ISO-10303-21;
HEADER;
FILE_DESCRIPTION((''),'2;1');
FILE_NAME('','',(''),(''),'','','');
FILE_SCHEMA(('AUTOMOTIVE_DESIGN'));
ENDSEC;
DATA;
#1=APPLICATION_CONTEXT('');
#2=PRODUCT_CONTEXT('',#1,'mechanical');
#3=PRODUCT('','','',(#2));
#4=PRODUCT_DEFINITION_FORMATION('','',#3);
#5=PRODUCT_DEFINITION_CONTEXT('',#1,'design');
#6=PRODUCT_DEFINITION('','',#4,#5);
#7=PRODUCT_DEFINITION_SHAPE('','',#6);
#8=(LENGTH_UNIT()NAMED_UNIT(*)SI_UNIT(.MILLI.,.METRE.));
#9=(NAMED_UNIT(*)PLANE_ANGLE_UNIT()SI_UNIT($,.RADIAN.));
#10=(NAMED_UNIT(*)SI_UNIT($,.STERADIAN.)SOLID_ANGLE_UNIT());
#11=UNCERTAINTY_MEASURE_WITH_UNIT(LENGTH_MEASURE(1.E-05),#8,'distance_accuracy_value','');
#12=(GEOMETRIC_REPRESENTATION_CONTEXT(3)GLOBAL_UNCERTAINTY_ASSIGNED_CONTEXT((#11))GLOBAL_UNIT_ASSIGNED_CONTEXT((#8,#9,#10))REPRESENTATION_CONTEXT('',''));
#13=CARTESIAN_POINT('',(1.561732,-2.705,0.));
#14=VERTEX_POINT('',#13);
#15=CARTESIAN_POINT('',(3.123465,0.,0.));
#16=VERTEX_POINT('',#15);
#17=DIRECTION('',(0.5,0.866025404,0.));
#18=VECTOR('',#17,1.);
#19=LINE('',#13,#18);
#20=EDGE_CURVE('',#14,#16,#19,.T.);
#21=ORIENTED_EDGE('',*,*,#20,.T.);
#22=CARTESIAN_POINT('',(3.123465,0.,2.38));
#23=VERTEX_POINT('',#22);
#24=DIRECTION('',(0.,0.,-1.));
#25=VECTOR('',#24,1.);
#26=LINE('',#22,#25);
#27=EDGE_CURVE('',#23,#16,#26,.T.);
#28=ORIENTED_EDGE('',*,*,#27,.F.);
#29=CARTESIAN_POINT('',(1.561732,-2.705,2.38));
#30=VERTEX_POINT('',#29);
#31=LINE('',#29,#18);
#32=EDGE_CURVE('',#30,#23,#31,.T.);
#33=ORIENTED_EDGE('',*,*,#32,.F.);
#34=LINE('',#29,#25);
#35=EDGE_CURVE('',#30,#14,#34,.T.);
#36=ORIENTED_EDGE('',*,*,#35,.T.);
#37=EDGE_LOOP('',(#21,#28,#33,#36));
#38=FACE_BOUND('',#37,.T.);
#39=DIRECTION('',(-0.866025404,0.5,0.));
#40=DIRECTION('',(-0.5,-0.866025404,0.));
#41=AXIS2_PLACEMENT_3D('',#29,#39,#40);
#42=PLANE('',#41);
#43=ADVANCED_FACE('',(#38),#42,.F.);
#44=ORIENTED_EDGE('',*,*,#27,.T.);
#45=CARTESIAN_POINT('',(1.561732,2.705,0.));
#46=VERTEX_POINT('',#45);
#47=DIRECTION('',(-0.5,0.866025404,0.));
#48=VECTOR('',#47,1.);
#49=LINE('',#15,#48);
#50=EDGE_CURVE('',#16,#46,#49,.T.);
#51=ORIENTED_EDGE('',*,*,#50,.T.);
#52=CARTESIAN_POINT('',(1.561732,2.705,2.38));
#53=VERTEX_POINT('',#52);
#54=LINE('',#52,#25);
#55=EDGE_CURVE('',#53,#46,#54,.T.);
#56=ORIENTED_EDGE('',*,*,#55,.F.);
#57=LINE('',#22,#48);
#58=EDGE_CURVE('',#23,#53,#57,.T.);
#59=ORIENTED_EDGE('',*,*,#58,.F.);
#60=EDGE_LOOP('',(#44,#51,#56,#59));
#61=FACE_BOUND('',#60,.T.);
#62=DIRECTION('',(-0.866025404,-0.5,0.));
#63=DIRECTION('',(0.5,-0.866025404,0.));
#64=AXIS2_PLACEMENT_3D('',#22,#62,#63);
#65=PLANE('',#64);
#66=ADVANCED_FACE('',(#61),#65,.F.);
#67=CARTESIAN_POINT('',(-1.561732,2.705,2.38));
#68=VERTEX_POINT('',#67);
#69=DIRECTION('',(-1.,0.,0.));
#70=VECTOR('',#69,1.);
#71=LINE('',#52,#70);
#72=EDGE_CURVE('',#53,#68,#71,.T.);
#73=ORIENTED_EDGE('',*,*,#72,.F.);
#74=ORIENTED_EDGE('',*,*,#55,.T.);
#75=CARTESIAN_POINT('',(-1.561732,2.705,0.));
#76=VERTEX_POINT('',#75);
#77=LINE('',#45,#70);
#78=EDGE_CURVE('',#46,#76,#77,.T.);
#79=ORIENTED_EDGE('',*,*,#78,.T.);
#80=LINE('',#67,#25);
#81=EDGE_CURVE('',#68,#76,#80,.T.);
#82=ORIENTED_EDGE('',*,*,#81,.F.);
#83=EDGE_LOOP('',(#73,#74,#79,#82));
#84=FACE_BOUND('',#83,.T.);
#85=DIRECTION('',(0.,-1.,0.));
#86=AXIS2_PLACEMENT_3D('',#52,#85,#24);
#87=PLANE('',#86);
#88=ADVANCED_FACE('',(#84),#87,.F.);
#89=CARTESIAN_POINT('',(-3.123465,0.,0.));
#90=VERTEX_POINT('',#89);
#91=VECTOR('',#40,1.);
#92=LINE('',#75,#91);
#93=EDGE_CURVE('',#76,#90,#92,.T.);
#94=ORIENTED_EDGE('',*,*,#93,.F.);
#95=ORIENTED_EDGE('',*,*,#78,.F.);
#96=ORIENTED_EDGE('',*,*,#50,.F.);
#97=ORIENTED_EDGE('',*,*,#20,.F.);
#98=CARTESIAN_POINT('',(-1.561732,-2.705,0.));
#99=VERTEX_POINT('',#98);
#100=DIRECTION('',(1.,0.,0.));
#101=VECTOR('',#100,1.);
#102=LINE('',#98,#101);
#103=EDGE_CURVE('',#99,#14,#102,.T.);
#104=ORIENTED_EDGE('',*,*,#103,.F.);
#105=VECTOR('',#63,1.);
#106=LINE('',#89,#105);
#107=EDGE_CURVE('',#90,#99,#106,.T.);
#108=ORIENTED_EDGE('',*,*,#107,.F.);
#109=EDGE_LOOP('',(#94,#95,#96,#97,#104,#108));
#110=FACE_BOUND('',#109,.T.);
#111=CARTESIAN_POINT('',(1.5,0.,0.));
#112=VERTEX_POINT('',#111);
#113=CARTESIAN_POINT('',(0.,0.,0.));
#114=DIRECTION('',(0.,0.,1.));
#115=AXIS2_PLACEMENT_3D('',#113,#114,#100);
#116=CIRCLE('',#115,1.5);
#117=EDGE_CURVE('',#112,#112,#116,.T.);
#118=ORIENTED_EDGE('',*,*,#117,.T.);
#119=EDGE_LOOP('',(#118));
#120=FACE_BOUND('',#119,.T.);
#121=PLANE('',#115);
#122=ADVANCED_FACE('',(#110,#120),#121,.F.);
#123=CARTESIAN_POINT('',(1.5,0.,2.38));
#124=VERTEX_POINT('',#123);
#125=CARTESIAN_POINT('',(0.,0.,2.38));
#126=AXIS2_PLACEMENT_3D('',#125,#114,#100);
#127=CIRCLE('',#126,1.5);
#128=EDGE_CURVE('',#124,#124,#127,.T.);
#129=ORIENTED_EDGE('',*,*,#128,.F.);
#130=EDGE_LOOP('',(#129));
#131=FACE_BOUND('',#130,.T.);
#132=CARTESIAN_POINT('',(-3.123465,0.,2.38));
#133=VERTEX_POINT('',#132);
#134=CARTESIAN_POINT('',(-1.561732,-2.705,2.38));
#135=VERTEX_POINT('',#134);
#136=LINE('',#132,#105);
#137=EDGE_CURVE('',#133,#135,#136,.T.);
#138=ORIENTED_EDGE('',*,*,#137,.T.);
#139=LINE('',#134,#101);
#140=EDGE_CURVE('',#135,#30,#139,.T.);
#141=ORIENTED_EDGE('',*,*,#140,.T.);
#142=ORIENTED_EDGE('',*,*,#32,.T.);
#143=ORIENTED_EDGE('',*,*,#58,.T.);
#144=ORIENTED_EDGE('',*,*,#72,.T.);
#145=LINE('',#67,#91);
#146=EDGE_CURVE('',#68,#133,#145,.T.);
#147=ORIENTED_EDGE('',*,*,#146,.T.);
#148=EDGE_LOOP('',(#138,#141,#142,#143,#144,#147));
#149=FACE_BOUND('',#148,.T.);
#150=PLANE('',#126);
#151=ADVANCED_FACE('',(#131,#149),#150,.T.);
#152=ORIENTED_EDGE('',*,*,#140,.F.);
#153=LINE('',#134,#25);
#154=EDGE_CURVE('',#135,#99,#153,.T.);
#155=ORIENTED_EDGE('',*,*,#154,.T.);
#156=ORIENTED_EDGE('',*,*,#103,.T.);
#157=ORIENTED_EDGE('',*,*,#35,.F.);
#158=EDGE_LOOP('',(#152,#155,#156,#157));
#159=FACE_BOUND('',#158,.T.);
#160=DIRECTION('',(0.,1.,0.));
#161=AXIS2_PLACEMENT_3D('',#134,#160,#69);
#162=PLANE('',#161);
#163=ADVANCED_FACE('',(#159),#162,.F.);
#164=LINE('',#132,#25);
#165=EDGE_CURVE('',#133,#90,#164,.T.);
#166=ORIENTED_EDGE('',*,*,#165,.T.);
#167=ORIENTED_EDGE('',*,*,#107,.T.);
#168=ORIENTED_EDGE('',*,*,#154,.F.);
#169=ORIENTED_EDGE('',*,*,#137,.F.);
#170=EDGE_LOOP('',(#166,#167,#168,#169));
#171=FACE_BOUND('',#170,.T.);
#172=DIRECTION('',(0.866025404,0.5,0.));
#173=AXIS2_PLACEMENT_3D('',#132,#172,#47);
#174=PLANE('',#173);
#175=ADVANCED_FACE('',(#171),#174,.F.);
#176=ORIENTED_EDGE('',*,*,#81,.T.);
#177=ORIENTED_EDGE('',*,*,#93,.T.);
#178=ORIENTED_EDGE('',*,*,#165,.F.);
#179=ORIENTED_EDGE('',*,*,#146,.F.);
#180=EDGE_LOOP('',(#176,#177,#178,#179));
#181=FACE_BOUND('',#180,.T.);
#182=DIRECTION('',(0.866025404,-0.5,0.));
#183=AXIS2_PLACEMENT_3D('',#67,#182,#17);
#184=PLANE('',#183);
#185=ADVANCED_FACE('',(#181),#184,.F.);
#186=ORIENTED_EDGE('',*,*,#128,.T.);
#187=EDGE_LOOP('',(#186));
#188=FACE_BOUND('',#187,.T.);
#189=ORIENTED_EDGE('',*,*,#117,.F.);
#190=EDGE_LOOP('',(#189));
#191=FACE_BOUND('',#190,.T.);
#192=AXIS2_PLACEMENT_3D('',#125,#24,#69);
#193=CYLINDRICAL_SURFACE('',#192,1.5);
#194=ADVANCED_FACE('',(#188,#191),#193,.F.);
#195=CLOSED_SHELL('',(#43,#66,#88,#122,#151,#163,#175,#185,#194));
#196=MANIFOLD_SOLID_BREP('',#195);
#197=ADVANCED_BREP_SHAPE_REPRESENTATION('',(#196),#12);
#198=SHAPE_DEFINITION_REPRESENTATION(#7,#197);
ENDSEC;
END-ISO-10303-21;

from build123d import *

# Parameters (mm, degrees)
SKETCH1_R           = 1.5
BOSS_EXTRUDE1_DEPTH = 2.38


with BuildPart() as part:
    # Sketch1 → Boss-Extrude1 (new body)
    with BuildSketch(Plane.XY):
        Polygon((1.561732478, -2.705), (3.123464956, 0), (1.561732478, 2.705), (-1.561732478, 2.705), (-3.123464956, 0), (-1.561732478, -2.705), align=None)
        Circle(SKETCH1_R, mode=Mode.SUBTRACT)
    extrude(amount=BOSS_EXTRUDE1_DEPTH)


solid = part.part
